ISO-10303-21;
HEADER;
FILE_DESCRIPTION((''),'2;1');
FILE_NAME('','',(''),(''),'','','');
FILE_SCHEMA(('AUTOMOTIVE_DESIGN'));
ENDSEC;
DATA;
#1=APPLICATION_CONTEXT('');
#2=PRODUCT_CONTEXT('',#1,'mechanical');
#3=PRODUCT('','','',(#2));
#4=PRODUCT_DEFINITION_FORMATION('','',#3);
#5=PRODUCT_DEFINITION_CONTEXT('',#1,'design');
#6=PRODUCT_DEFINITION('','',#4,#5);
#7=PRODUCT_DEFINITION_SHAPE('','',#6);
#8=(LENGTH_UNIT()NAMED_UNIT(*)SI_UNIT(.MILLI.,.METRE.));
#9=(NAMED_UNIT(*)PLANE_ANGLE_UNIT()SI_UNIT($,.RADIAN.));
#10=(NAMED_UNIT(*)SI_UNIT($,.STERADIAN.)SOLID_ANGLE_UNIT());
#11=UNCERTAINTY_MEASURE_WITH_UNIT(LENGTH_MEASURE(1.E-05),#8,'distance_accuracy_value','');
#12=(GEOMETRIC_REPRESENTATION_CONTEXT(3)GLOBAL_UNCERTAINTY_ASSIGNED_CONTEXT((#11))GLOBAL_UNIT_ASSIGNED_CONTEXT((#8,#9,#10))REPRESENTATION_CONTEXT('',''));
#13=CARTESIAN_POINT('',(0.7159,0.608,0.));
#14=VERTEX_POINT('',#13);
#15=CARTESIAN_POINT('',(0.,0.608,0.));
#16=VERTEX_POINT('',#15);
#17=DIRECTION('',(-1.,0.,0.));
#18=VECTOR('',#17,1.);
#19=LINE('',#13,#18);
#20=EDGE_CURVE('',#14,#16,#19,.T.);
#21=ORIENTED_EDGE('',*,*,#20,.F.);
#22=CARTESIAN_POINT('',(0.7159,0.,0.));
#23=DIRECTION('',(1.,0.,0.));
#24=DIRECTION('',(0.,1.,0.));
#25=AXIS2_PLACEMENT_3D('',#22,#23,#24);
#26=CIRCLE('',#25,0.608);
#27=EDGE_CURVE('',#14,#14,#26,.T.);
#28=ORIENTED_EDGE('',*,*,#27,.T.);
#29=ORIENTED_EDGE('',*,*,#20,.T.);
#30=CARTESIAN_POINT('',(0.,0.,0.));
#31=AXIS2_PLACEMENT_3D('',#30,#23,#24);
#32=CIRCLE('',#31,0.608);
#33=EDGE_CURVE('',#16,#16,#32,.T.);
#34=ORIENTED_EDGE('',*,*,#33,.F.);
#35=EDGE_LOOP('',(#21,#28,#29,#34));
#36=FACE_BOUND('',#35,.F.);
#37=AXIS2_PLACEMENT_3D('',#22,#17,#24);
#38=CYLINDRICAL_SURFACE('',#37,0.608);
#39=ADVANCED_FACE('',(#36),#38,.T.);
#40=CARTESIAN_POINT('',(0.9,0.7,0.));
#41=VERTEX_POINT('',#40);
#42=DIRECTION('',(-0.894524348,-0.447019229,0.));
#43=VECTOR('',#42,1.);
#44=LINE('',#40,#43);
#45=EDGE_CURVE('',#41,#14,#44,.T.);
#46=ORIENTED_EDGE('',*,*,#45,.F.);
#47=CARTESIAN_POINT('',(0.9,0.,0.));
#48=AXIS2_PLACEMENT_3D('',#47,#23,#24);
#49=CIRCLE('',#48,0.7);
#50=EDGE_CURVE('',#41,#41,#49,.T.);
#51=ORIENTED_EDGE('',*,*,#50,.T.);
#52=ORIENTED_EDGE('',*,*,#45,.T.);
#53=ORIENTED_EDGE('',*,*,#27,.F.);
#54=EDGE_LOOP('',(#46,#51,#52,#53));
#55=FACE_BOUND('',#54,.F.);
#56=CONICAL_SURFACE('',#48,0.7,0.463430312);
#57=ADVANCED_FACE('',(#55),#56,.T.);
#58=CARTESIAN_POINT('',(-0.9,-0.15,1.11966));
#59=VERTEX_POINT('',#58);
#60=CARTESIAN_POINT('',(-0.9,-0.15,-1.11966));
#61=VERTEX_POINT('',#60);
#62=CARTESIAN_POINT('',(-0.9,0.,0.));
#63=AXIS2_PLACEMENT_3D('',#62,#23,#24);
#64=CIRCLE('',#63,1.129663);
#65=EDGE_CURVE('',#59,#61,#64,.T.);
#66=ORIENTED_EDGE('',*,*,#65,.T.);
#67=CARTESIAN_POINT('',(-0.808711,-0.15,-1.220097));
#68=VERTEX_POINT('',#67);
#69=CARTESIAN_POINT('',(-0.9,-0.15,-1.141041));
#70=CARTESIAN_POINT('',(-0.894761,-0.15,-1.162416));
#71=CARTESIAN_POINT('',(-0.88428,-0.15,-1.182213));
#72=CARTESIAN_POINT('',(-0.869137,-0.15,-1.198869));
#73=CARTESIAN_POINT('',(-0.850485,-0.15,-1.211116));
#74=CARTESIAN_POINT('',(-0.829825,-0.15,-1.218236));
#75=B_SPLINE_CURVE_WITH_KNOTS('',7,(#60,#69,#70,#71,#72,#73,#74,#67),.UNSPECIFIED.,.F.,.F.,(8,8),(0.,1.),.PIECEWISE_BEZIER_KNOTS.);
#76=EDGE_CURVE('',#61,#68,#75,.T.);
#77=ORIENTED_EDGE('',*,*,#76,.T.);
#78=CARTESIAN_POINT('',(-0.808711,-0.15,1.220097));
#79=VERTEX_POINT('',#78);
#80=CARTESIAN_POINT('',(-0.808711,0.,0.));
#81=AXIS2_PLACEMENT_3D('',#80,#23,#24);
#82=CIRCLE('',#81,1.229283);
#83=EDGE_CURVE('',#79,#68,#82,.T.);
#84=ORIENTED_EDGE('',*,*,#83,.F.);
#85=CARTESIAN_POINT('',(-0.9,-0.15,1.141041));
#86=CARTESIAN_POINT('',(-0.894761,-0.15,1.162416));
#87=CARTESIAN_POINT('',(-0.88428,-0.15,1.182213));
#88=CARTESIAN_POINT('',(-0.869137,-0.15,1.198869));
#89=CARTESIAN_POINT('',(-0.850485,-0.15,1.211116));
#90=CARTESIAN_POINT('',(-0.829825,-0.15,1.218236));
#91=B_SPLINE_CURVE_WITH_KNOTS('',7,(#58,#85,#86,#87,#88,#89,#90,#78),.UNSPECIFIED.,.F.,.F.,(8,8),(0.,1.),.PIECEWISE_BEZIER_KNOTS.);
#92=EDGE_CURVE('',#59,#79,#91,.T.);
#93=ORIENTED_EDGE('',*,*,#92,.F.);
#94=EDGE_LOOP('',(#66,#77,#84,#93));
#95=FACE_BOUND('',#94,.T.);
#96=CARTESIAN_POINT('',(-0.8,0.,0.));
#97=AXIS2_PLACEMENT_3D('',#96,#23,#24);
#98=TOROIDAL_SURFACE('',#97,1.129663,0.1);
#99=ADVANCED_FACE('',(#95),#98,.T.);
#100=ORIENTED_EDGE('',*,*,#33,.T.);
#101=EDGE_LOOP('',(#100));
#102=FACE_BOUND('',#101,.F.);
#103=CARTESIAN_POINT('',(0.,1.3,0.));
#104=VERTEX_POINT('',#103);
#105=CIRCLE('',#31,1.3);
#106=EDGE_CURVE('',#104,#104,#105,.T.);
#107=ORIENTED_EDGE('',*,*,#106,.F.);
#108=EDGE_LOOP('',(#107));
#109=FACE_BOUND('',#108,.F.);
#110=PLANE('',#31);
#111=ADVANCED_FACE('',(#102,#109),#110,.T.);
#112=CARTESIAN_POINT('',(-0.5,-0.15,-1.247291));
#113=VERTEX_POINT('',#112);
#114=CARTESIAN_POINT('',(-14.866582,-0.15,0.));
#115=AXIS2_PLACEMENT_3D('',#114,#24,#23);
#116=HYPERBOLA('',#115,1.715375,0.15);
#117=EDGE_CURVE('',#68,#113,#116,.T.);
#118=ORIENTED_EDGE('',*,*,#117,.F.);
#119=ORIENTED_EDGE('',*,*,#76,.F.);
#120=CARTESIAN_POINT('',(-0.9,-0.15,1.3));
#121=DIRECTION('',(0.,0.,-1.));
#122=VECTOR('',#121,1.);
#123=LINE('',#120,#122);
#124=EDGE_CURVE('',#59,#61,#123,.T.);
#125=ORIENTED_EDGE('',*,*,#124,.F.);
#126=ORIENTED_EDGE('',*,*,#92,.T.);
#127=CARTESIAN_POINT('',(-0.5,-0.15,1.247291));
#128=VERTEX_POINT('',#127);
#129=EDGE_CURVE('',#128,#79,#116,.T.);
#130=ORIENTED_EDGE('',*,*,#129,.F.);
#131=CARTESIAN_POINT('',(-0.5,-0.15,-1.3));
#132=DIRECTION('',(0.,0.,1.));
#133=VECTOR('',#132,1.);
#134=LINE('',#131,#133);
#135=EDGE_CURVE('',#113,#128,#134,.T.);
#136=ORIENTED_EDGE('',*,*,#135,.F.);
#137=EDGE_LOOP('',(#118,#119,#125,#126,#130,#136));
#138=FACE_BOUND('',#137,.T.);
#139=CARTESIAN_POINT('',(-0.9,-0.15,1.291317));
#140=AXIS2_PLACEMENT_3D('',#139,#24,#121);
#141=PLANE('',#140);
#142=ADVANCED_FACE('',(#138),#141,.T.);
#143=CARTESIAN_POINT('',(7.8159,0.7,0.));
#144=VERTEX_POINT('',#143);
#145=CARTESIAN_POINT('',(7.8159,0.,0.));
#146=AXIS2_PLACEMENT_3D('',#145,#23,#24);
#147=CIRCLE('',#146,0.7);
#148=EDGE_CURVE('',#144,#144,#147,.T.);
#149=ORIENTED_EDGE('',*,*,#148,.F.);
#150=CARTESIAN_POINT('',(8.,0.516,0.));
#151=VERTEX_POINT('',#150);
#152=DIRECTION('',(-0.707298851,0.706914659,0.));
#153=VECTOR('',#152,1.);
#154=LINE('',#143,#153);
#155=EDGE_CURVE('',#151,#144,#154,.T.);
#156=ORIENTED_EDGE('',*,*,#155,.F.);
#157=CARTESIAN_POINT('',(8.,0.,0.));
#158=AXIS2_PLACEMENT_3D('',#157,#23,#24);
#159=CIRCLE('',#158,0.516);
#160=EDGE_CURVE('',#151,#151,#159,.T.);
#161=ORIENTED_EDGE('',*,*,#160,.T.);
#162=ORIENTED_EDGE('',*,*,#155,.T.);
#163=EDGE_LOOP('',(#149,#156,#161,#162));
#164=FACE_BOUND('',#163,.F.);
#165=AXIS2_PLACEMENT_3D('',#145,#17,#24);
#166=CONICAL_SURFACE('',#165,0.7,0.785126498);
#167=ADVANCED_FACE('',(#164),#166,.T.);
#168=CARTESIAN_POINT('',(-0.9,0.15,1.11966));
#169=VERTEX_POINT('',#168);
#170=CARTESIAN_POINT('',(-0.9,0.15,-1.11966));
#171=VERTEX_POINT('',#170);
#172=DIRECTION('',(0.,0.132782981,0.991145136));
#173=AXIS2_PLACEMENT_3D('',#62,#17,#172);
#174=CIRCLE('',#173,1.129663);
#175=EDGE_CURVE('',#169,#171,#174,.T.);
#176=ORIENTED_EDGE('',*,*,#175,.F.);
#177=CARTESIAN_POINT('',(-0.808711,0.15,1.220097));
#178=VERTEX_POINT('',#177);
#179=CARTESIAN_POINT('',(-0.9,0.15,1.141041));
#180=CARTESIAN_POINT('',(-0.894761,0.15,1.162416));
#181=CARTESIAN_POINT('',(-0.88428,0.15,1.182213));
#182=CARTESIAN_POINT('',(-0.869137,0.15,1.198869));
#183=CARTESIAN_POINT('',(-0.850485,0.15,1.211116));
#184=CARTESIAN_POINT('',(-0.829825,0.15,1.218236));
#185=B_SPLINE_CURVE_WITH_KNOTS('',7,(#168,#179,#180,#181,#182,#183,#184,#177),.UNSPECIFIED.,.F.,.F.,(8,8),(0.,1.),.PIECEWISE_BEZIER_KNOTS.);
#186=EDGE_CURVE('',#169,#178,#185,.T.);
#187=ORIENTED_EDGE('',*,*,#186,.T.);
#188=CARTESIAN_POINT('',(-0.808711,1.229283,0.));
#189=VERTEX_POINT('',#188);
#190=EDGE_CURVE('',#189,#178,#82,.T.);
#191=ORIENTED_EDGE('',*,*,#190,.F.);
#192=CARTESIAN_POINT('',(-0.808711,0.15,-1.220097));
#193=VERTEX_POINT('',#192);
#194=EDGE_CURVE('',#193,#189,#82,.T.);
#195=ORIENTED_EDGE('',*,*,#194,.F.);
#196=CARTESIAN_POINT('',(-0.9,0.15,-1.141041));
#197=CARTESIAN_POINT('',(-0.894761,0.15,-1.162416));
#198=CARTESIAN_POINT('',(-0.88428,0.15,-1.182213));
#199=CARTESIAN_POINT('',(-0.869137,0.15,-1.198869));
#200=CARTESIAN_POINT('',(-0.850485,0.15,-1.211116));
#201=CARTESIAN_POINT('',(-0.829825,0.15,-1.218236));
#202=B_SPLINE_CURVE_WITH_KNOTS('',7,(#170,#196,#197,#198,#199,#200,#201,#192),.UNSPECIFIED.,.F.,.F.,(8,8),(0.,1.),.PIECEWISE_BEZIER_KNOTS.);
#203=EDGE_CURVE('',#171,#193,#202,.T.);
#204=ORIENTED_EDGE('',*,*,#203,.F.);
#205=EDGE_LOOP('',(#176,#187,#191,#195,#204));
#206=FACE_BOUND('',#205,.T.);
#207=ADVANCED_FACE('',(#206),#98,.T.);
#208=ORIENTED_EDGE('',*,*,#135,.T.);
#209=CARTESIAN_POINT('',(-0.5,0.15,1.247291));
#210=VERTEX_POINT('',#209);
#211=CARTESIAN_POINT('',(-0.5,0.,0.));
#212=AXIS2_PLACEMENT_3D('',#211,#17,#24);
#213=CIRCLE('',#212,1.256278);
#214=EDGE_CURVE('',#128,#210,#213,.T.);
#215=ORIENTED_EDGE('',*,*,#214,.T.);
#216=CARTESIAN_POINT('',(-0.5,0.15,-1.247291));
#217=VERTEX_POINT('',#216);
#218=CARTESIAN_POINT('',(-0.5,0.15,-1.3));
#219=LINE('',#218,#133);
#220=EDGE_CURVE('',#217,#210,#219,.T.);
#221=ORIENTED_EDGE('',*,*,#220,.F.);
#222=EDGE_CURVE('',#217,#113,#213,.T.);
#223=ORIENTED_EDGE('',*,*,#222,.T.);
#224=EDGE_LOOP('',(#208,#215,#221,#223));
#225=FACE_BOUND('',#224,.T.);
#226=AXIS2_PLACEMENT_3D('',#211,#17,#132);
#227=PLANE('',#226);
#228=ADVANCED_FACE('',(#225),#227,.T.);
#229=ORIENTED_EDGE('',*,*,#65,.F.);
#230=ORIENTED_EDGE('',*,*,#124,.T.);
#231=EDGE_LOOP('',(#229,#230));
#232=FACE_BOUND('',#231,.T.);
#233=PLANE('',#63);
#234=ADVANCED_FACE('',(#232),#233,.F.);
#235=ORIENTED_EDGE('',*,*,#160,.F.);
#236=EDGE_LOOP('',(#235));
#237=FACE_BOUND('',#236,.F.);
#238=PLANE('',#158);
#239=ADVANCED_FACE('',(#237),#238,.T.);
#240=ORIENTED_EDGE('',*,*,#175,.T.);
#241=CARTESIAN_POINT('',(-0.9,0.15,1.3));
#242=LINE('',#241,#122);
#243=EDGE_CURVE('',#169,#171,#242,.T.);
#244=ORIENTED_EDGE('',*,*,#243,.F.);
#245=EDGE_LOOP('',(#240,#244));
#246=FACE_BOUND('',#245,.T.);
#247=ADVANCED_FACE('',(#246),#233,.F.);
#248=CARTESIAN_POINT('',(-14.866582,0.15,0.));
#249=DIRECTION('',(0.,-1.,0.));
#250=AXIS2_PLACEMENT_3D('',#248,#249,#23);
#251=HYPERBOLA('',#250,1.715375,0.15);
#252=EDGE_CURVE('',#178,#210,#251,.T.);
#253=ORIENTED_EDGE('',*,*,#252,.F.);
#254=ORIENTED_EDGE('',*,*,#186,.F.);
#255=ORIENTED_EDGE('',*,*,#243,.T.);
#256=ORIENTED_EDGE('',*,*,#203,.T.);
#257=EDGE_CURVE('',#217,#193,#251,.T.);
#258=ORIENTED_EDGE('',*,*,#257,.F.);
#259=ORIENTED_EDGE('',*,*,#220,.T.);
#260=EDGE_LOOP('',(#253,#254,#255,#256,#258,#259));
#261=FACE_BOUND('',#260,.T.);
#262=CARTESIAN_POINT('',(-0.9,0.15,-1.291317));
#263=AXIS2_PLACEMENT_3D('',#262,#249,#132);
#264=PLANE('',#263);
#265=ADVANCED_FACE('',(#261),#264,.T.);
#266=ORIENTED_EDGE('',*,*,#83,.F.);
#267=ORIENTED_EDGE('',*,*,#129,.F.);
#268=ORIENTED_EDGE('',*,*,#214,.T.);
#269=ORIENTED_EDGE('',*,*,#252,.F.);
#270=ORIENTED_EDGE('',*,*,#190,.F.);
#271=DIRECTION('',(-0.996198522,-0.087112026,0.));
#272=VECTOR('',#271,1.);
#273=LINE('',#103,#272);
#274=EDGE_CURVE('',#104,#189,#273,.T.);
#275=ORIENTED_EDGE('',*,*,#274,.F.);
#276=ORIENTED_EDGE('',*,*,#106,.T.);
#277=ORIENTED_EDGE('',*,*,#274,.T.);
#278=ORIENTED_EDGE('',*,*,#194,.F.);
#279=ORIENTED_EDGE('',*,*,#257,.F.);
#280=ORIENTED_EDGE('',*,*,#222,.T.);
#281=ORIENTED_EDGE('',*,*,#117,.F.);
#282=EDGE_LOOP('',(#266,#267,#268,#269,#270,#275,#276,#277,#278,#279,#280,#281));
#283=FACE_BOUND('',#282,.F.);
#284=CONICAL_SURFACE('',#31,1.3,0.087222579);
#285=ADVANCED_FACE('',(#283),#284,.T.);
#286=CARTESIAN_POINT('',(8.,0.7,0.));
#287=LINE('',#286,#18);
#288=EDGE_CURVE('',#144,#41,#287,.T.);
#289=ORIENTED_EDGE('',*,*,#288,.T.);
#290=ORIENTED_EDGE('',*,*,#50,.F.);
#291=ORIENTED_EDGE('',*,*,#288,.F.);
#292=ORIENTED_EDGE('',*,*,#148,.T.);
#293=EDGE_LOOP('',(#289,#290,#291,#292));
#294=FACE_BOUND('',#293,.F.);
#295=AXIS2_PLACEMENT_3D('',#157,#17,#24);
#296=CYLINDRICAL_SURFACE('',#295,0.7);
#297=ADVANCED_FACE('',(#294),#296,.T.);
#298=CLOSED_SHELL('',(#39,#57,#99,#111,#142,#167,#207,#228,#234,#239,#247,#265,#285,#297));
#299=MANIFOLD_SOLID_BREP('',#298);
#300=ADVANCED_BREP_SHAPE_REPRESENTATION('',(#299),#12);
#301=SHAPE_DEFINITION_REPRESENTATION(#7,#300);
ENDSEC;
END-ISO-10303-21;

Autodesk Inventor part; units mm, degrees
ref_plane "YZ Plane" through (0, 0, 0) normal (1, 0, 0) x (0, 1, 0)
ref_plane "XZ Plane" through (0, 0, 0) normal (0, 1, 0) x (-1, 0, 0)
sketch "Sketch1" plane through (0, 0, 0) normal (0, 0, 1) x (1, 0, 0)
  line L0 (-0.9, 0) -> (8, 0)
  line L1 (8, 0) -> (8, 0.7)
  line L2 (8, 0.7) -> (0.9, 0.7)
  line L3 (0.9, 0.7) -> (0.7159, 0.608)
  line L4 (0.7159, 0.608) -> (0, 0.608)
  line L5 (0, 0.608) -> (0, 1.3)
  line L6 (-2.68, 0) -> (9.78, 0) projected
  line L7 (0, -0.26) -> (0, 1.56) projected
  line L8 (-0.9, 0) -> (-0.9, 1.2213)
  line L9 (0, 1.3) -> (-0.9, 1.2213)
  line L10 (0.9, 0.7) -> (0, 0.7) construction
  dimension "d0" = 8
  dimension "d1" = 7.1
  dimension "d2" = 0.1841
  dimension "d3" = 0.9
  dimension "d4" = 1.4
  dimension "d5" = 1.216
  dimension "d9" = 2.6
  dimension "d10" = 5
revolve "Body" add sketch "Sketch1" angle 360 about axis through (-0.9, 0, 0) along (1, 0, 0)
sketch "Sketch2" plane through (-0.9, 0, 0) normal (-1, 0, 0) x (0, 0, 1)
  circle A0 centre (0, 0) radius 1.3 projected
  line L0 (0, 0) -> (0, 1.2213) projected
  line L1 (-1.3, 0.15) -> (1.3, 0.15)
  line L2 (1.3, 0.15) -> (1.3, -0.15)
  line L3 (1.3, -0.15) -> (-1.3, -0.15)
  line L4 (-1.3, -0.15) -> (-1.3, 0.15)
  line L5 (-1.3, 0) -> (1.3, 0) construction
  line L6 (0, 0.15) -> (0, -0.15) construction
  dimension "d11" = 0.3
  dimension "d12" = 2.6
fillet "Fillet1" radius 0.1 1 edges at (-0.9, -1.2213, 0)
extrude "Slot" cut sketch "Sketch2" against normal blind 0.4 contours A0 L3 L1 | L2 L3 A0 | A0 L1 L2 | A0 L4 L1 | L3 L4 A0
thread "Thread" size "M1.4x0.3" class "6g" standard "ISO Metric profile" length 7.1
chamfer "Chamfer1" distance 0.184 distance2 0.1841 1 edges at (8, -0.7, 0) measured on face at (8, 0.4293, -0.1327)
ref_plane "Work Plane1" through (30.1625, 0, 0) normal (0, 0, -1) x (1, 0, 0)
equation "\"d11\" = SBR"
equation "\"d12\" = KOD"
equation "\"d19\" = STI"
equation "\"d14\" = RR"
equation "\"d15\" = GEL"
equation "\"d17\" = -0.5 * SPD + 0.5 * GD"
equation "\"d0\" = NLG"
equation "\"d1\" = GEL"
equation "\"d3\" = KOH"
equation "\"d4\" = GD"
equation "\"d5\" = BDM"
equation "\"d9\" = KOD"
equation "\"d10\" = KEWI"
equation "\"GD\" = NND"
equation "\"NLG\" = 8"
equation "\"GEL\" = 7.1"
equation "\"KOD\" = 2.6"
equation "\"KOH\" = 0.9"
equation "\"GAL\" = 0.61345 * PTC"
equation "\"SPD\" = NND - 1.2269 * PTC"
equation "\"BDM\" = 1.216"
equation "\"GUL\" = 0.61345 * PTC"
equation "\"RR\" = 0.1"
equation "\"SBR\" = 0.3"
equation "\"STI\" = 0.4"
equation "\"KEWI\" = 5deg"
equation "\"PTC\" = 0.3"
equation "\"THREADDIA\" = 1.4"
equation "\"TOA\" = 30deg"
equation "\"NND\" = 1.4"
equation "\"GD1\" = THREADDIA - 1.2269 * PTC"
properties part number "CNS 4355 - M 1,4 x 8" material "Steel, Mild"
